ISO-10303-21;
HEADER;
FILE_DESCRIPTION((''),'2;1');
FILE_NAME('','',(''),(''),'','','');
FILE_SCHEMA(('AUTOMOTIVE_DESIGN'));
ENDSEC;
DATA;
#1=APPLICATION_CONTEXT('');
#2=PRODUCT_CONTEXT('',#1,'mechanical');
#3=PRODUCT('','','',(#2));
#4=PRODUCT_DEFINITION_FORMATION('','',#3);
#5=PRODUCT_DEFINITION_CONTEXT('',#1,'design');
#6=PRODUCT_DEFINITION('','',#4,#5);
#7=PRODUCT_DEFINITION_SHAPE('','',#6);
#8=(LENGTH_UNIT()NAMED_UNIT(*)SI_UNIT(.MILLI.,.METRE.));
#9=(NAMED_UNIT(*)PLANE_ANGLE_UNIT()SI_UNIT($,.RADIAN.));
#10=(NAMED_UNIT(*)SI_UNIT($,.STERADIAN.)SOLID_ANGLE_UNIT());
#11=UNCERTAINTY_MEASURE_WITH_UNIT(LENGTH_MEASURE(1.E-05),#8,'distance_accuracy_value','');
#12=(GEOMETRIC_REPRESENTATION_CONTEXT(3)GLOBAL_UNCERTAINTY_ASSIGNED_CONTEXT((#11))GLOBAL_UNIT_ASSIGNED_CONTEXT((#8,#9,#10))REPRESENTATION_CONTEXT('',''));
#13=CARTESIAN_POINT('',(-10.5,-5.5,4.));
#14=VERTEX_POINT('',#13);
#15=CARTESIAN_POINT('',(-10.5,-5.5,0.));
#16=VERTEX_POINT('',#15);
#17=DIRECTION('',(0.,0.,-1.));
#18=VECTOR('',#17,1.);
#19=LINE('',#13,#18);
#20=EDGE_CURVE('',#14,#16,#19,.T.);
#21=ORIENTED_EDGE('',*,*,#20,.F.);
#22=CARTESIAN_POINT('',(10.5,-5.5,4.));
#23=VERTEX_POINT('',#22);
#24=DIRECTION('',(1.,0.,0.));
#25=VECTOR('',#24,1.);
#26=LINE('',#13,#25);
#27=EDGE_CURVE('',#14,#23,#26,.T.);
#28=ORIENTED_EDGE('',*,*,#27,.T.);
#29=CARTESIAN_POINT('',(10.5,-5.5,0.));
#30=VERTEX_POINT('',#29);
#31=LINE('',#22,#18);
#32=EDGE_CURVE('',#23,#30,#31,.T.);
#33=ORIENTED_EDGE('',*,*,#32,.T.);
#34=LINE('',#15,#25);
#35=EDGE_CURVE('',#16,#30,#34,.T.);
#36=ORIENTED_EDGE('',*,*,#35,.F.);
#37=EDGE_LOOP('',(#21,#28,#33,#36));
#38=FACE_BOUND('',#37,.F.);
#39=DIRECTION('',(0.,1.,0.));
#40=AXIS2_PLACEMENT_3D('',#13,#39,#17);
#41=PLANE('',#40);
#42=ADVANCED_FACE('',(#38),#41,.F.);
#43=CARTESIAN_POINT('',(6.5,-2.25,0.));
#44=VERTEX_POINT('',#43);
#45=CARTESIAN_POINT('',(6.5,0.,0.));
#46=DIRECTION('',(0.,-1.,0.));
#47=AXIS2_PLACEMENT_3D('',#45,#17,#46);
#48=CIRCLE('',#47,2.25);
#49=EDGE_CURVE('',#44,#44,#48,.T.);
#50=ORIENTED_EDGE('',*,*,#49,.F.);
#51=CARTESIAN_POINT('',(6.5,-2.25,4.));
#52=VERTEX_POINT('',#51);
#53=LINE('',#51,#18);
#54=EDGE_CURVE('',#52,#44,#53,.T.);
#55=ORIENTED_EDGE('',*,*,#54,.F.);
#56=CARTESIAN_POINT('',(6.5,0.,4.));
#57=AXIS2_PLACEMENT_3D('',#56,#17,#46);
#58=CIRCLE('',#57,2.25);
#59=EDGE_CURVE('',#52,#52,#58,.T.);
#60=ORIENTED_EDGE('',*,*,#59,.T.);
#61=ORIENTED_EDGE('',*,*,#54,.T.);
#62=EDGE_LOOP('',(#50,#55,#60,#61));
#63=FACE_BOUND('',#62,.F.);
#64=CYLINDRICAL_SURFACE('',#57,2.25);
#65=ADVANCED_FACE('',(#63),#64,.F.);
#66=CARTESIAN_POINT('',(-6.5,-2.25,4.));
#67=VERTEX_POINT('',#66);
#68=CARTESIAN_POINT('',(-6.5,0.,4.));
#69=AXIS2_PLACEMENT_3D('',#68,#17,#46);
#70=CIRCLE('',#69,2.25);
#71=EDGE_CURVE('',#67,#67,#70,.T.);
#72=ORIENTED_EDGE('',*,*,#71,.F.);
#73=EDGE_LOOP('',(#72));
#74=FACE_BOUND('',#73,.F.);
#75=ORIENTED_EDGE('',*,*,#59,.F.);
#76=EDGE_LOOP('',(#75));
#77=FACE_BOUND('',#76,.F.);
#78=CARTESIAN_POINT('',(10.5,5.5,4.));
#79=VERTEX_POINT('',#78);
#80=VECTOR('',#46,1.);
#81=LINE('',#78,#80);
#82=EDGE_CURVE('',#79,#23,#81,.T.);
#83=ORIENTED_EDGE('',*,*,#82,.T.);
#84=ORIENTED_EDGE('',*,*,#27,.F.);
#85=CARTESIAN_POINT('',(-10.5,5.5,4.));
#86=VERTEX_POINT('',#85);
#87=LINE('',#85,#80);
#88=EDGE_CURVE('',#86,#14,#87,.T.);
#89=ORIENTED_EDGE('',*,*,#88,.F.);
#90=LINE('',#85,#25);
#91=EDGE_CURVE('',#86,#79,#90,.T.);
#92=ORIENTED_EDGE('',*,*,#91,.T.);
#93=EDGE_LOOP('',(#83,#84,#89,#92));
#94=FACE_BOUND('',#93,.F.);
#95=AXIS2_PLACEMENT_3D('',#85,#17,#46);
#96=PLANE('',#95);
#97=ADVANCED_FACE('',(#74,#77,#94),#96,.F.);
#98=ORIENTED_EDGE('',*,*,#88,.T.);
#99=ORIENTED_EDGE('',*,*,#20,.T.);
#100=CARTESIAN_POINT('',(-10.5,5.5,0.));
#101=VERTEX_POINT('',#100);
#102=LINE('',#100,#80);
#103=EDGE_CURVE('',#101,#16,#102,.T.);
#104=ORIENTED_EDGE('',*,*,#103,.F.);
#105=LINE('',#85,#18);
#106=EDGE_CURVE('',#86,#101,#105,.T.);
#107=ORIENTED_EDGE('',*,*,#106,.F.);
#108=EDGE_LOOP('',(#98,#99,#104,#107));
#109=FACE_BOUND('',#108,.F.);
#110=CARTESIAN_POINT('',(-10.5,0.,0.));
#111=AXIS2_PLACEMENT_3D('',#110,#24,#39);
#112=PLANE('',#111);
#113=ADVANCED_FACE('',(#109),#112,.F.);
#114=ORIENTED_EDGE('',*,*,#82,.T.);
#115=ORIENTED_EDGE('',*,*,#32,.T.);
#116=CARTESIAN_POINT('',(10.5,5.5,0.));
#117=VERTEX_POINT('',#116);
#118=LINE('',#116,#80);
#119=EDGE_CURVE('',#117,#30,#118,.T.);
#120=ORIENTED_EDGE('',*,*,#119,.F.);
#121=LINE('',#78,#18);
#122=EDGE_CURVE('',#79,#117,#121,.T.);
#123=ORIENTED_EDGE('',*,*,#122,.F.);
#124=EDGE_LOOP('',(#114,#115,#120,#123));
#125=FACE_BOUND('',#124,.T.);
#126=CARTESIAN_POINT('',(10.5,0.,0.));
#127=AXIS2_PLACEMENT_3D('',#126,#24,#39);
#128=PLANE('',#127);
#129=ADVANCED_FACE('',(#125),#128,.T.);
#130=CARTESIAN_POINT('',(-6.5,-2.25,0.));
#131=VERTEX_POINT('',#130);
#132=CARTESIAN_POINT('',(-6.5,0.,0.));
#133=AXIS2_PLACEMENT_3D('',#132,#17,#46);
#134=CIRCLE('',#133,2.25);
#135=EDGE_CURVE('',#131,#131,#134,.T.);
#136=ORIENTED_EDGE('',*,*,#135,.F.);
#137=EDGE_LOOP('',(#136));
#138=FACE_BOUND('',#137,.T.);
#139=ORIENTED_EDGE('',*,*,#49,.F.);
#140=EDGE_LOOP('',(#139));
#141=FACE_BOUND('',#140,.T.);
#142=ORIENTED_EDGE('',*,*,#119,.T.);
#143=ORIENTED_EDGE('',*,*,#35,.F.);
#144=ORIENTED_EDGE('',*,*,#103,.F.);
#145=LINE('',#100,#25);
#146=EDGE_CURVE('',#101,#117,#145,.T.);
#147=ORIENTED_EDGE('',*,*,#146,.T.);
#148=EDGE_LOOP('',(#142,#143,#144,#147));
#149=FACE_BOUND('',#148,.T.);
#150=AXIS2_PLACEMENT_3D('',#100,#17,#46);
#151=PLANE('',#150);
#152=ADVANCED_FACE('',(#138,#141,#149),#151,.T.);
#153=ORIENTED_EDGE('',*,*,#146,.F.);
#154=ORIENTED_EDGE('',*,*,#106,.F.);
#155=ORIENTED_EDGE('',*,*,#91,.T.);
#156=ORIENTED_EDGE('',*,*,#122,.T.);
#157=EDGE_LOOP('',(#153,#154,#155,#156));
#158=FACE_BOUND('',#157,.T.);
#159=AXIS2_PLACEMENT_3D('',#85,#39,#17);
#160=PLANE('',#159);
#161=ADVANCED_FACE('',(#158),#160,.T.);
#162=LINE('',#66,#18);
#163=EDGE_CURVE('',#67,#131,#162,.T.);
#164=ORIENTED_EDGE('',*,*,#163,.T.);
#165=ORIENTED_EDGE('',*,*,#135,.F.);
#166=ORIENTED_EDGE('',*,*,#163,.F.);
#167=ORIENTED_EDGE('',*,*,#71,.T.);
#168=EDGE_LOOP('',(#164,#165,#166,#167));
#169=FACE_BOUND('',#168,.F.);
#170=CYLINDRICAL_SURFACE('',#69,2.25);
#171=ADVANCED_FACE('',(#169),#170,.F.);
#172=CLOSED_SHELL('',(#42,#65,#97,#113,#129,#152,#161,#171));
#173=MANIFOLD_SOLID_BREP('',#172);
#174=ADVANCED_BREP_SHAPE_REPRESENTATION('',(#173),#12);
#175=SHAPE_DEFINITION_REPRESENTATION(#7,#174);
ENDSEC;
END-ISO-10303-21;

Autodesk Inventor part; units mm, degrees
ref_plane "XZ Plane" through (0, 0, 0) normal (0, 1, 0) x (-1, 0, 0)
ref_plane "XY Plane" through (0, 0, 0) normal (0, 0, 1) x (1, 0, 0)
ref_plane "Work Plane1" through (-10.5, 0, 0) normal (1, 0, 0) x (0, 1, 0)
sketch "Sketch1" plane through (-10.5, 0, 0) normal (1, 0, 0) x (0, 1, 0)
  line L0 (5.5, 0) -> (-5.5, 0)
  line L1 (5.5, 4) -> (5.5, 0)
  line L2 (-5.5, 4) -> (-5.5, 0)
  line L3 (5.5, 4) -> (-5.5, 4)
extrude "Extrusion1" add sketch "Sketch1" along normal blind 21 draft 0
hole "Hole2" at (6.5, 0, 4) direction (0, 0, -1) diameter 4.5 depth 4
sketch "Sketch2" plane through (-10.5, -5.5, 4) normal (0, 0, 1) x (1, 0, 0)
  point P0 (17, 5.5)
hole "Hole1" at (-6.5, 0, 4) direction (0, 0, -1) diameter 4.5 depth 4
sketch "Sketch3" plane through (-10.5, -5.5, 4) normal (0, 0, 1) x (1, 0, 0)
  point P0 (4, 5.5)
properties part number "Y-axis Belt clamp" material "ASA Plastic"
